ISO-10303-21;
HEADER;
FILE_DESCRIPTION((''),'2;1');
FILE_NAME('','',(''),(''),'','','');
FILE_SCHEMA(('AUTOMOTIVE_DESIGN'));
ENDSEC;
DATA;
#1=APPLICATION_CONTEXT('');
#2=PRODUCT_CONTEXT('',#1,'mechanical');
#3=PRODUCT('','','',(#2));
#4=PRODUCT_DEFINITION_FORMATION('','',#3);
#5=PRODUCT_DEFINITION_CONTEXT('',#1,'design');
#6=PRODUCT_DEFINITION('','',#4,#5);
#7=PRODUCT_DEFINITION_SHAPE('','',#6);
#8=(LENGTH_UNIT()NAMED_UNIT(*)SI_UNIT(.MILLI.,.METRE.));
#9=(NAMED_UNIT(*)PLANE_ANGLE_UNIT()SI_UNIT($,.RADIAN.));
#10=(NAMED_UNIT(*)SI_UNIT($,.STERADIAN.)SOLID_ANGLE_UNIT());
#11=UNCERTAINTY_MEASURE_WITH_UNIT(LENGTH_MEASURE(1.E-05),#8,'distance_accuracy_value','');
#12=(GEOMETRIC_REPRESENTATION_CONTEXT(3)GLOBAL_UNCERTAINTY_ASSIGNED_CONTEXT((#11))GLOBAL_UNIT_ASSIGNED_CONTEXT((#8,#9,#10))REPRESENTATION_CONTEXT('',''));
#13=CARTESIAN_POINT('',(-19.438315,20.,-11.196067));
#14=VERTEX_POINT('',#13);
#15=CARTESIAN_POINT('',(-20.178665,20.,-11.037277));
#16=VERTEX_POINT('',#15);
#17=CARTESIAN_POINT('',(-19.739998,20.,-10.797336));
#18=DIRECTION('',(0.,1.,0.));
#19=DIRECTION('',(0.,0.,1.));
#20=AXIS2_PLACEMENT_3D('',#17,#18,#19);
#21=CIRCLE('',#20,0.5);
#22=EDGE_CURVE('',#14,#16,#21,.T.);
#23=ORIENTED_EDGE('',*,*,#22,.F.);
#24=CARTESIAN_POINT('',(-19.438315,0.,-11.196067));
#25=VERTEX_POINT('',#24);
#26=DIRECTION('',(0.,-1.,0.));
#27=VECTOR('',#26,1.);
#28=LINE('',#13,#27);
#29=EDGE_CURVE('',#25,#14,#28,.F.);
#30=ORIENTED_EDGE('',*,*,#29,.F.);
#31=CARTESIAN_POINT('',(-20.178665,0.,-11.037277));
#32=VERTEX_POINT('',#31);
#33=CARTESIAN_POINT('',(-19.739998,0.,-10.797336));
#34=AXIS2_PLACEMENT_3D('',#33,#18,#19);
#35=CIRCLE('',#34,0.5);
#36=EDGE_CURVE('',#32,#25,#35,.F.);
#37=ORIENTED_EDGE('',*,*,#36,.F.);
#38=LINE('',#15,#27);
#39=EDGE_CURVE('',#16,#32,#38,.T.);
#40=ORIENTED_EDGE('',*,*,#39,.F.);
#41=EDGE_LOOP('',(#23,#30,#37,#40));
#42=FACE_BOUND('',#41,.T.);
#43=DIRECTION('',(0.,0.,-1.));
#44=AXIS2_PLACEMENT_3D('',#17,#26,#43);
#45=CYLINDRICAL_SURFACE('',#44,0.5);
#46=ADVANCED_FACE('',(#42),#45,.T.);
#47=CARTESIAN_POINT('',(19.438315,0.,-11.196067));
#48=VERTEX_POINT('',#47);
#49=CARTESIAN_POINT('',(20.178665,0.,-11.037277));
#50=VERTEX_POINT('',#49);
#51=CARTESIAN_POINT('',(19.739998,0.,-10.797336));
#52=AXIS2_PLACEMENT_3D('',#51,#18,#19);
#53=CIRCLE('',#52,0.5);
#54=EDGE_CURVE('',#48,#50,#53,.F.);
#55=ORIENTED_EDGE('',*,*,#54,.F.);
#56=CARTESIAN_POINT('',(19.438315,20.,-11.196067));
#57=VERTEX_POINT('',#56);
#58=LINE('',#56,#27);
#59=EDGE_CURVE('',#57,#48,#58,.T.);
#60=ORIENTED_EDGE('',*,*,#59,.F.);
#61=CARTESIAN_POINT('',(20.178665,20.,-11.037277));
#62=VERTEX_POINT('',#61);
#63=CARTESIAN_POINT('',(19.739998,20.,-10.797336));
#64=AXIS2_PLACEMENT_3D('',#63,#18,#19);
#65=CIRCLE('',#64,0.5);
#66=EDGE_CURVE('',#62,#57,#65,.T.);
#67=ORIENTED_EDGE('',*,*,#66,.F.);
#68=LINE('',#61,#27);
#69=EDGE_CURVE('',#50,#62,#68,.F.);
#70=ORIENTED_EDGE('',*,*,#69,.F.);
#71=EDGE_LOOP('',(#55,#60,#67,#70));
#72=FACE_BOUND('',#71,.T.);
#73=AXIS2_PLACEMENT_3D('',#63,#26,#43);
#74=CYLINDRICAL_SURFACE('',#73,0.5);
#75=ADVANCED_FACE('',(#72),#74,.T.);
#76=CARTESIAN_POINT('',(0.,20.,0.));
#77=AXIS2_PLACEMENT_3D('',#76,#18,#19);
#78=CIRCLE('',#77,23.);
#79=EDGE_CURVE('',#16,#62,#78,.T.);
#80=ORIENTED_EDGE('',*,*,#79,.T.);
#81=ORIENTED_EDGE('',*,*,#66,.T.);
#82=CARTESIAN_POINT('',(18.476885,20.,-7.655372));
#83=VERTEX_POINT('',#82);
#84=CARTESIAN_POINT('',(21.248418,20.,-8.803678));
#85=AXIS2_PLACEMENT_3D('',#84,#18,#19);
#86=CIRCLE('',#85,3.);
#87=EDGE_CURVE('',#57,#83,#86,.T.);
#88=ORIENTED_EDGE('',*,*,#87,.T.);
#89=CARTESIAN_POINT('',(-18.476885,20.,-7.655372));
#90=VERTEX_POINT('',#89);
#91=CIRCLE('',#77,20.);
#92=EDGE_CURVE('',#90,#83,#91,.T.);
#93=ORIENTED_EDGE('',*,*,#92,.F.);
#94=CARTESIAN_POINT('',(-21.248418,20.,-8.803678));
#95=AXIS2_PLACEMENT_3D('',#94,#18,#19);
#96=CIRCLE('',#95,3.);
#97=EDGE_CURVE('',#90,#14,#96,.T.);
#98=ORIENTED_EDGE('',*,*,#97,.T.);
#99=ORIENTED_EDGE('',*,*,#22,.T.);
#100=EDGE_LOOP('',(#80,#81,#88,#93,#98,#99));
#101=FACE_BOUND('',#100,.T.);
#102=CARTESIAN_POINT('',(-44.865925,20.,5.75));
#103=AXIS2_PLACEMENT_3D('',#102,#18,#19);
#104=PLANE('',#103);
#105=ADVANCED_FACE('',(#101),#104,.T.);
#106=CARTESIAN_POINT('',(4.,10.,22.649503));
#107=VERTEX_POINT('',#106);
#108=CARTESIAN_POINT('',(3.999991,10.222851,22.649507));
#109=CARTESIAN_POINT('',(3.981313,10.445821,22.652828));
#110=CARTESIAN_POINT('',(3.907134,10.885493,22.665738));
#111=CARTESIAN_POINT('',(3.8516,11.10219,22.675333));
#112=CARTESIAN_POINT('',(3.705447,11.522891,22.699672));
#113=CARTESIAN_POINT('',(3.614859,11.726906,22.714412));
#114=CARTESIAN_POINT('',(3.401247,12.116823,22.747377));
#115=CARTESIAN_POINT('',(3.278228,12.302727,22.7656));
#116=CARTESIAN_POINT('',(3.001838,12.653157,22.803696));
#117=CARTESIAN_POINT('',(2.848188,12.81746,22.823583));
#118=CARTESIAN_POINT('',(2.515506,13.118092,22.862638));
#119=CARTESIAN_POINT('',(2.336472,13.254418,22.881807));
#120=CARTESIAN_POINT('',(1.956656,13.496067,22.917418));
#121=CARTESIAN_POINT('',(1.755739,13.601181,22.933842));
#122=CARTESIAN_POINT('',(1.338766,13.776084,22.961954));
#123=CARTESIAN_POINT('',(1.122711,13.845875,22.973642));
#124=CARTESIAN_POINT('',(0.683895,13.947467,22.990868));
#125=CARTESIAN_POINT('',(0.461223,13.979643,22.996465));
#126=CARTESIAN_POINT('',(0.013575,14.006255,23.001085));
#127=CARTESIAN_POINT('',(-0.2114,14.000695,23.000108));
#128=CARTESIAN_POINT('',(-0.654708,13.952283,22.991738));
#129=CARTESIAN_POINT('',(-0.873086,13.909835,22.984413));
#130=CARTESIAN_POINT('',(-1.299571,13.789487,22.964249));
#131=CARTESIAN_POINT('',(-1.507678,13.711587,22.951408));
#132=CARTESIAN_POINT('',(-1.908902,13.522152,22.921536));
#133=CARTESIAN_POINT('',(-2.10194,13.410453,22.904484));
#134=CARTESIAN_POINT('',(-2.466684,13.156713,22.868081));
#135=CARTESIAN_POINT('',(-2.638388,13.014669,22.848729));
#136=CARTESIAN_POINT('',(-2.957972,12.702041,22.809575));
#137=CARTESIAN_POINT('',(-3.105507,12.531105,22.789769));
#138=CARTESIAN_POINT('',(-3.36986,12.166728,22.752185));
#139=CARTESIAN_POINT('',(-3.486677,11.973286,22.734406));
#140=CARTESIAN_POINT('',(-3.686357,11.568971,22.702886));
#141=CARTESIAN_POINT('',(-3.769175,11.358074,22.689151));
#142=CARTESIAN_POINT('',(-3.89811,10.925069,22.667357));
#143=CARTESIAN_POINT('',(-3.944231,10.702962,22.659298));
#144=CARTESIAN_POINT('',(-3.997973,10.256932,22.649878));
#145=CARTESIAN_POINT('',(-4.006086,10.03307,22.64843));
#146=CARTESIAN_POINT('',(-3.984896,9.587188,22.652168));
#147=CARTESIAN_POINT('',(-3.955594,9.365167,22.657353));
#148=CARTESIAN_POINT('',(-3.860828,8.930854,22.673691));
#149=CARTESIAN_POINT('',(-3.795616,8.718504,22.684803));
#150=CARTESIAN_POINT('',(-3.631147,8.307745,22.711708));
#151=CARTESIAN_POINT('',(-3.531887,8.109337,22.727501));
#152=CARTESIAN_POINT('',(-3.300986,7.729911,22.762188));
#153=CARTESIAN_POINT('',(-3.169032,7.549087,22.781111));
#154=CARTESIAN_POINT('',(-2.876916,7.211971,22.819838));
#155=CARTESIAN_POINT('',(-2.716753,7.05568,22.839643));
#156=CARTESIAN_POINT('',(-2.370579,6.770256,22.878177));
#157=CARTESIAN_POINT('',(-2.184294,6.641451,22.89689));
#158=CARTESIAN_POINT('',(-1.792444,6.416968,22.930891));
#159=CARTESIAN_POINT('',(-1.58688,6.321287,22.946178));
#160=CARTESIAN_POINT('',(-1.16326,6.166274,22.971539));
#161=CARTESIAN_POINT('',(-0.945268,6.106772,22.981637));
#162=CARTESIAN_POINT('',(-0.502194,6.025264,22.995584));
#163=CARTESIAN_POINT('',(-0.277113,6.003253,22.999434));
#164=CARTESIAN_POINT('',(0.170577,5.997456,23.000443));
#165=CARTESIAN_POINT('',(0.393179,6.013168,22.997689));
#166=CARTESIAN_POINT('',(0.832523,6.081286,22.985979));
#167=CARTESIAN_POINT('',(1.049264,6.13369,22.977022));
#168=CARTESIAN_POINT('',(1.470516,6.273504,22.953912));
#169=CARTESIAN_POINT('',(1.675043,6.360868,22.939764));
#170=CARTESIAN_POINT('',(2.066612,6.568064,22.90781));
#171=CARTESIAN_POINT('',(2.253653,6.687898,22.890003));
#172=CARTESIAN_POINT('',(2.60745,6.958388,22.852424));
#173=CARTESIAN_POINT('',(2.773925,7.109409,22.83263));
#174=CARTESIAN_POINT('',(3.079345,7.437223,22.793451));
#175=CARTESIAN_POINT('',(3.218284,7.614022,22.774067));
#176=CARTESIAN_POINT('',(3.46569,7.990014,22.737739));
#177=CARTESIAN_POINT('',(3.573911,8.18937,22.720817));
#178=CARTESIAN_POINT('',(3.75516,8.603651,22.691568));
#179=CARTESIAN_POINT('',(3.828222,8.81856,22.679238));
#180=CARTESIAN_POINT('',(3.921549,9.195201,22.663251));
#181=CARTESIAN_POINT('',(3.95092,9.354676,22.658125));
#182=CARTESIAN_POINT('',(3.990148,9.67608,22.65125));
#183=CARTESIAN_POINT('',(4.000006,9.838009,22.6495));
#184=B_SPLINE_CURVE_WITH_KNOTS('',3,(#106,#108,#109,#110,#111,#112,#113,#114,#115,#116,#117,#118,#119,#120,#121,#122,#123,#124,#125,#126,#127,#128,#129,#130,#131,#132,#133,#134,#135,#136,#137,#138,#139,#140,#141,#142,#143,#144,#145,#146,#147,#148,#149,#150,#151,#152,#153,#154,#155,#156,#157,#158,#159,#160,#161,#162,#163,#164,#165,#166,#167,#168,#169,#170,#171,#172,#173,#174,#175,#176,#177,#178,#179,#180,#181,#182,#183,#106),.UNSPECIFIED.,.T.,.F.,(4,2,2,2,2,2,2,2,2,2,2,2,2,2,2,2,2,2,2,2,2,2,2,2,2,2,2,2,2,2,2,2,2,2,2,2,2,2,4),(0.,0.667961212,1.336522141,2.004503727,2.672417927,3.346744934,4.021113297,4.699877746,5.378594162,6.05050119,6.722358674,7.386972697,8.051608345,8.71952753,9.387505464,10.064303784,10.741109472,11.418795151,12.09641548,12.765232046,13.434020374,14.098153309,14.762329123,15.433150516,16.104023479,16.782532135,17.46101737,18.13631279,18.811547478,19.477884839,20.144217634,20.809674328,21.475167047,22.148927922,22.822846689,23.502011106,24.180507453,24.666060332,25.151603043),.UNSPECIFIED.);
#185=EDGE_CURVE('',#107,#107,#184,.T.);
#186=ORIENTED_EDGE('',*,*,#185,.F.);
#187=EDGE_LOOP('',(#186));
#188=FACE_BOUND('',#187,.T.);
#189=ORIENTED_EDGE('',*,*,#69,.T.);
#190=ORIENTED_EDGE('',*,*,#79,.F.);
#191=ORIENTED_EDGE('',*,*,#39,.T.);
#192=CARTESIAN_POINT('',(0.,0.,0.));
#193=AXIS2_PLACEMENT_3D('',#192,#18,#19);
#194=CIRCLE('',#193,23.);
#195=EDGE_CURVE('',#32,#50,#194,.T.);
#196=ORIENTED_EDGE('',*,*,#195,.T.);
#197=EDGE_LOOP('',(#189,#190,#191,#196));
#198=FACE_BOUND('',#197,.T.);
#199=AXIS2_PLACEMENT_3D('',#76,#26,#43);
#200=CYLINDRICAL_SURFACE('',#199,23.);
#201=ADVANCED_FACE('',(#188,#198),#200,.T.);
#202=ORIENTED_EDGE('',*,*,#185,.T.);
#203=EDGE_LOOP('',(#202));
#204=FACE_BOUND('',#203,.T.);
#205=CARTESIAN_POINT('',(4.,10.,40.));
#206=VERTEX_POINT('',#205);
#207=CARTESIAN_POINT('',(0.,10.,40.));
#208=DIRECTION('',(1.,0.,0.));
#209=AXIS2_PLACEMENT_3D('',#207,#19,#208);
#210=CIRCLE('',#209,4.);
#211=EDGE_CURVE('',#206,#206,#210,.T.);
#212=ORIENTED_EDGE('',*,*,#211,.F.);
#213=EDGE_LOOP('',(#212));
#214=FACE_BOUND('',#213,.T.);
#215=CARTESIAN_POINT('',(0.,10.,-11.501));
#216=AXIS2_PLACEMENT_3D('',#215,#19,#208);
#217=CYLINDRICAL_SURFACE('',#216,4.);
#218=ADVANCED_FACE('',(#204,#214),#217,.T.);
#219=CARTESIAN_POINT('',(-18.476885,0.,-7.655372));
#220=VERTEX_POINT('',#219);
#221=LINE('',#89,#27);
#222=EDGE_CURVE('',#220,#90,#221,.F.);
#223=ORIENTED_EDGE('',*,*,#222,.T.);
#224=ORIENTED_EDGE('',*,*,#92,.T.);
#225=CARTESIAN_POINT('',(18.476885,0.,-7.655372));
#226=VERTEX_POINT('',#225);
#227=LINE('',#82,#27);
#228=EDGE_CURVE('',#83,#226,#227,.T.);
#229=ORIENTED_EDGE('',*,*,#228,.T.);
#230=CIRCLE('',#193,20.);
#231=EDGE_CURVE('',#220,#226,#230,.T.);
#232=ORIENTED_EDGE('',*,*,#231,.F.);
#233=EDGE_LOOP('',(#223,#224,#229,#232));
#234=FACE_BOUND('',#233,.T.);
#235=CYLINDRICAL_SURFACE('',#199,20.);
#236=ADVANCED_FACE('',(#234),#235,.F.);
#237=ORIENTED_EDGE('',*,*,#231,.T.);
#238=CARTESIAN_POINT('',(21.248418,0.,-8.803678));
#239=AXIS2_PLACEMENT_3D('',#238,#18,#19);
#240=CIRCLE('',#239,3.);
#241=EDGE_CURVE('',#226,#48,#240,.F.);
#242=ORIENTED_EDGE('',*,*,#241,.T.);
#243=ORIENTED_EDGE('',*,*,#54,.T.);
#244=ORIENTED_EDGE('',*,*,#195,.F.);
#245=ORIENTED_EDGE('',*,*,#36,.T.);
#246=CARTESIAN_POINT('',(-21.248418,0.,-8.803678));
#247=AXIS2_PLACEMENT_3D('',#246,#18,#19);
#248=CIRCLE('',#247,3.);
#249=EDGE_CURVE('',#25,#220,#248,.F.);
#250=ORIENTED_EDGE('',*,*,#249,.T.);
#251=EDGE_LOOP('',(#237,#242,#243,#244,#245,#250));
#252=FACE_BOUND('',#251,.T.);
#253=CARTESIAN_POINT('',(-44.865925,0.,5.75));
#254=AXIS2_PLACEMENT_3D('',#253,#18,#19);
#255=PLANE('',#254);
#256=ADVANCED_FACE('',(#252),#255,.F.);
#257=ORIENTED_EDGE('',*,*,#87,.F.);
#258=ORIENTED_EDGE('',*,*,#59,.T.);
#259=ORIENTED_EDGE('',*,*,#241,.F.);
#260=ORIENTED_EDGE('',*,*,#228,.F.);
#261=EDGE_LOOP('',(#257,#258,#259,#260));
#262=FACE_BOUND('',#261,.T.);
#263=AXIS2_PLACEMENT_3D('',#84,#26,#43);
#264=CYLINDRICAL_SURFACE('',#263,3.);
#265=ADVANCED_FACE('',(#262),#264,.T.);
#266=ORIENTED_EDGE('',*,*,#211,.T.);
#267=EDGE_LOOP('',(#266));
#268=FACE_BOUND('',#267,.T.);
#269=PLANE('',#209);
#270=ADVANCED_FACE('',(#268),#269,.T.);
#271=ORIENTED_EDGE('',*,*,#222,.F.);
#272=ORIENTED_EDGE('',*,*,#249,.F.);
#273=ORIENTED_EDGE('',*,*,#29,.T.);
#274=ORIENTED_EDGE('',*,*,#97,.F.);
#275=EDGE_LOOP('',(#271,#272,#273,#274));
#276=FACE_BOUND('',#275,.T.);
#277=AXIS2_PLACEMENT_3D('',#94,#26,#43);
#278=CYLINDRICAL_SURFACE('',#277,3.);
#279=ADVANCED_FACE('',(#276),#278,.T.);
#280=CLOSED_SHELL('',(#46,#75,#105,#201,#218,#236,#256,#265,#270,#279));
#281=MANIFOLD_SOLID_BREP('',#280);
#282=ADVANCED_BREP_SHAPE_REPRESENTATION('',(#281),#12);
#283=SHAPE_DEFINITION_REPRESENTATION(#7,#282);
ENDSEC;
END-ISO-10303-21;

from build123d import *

# Parameters (mm, degrees)
EXTRUIR1_DEPTH      = 20
EXTRUIR2_REACH      = 80.184
EXTRUIR2_END_RADIUS = 23
EXTRUIR2_START      = 40
CROQUIS2_R          = 4
REDONDEO1_R         = 3
REDONDEO2_R         = 0.5


with BuildPart() as part:
    # Croquis1 → Extruir1 (new body)
    with BuildSketch(Plane(origin=(0, 0, 0), x_dir=(1, 0, 0), z_dir=(0, 1, 0))):
        with BuildLine():
            Line((19.918584287, 11.5), (17.320508076, 10))
            ThreePointArc((17.320508076, 10), (0, -20), (-17.320508076, 10))
            Line((-17.320508076, 10), (-19.918584287, 11.5))
            ThreePointArc((-19.918584287, 11.5), (0, -23), (19.918584287, 11.5))
        make_face()
    extrude(amount=EXTRUIR1_DEPTH)

    # Extruir2: up to this cylinder (the profile starts outside it)
    extruir2_end = Plane(origin=(0, 10, 0), z_dir=(0, -1, 0)) * Cylinder(EXTRUIR2_END_RADIUS, 207.368, mode=Mode.PRIVATE)
    # Croquis2 → Extruir2 (add, up to the surface)
    with BuildSketch(Plane.XY.offset(EXTRUIR2_START), mode=Mode.PRIVATE) as extruir2_sk1:
        with Locations((0, 10)):
            Circle(CROQUIS2_R)
    extruir2_tool1 = extrude(extruir2_sk1.sketch, amount=-EXTRUIR2_REACH, mode=Mode.PRIVATE) - extruir2_end
    add(extruir2_tool1.solids().sort_by_distance((0, 10, 40))[0])

    # Redondeo1
    redondeo1_edges = [part.edges().sort_by_distance(p)[0] for p in [
        (17.320508076, 10, -10),
        (-17.320508076, 10, -10),
    ]]
    fillet(redondeo1_edges, radius=REDONDEO1_R)

    # Redondeo2
    redondeo2_edges = [part.edges().sort_by_distance(p)[0] for p in [
        (19.918584287, 10, -11.5),
        (-19.918584287, 10, -11.5),
    ]]
    fillet(redondeo2_edges, radius=REDONDEO2_R)


solid = part.part
